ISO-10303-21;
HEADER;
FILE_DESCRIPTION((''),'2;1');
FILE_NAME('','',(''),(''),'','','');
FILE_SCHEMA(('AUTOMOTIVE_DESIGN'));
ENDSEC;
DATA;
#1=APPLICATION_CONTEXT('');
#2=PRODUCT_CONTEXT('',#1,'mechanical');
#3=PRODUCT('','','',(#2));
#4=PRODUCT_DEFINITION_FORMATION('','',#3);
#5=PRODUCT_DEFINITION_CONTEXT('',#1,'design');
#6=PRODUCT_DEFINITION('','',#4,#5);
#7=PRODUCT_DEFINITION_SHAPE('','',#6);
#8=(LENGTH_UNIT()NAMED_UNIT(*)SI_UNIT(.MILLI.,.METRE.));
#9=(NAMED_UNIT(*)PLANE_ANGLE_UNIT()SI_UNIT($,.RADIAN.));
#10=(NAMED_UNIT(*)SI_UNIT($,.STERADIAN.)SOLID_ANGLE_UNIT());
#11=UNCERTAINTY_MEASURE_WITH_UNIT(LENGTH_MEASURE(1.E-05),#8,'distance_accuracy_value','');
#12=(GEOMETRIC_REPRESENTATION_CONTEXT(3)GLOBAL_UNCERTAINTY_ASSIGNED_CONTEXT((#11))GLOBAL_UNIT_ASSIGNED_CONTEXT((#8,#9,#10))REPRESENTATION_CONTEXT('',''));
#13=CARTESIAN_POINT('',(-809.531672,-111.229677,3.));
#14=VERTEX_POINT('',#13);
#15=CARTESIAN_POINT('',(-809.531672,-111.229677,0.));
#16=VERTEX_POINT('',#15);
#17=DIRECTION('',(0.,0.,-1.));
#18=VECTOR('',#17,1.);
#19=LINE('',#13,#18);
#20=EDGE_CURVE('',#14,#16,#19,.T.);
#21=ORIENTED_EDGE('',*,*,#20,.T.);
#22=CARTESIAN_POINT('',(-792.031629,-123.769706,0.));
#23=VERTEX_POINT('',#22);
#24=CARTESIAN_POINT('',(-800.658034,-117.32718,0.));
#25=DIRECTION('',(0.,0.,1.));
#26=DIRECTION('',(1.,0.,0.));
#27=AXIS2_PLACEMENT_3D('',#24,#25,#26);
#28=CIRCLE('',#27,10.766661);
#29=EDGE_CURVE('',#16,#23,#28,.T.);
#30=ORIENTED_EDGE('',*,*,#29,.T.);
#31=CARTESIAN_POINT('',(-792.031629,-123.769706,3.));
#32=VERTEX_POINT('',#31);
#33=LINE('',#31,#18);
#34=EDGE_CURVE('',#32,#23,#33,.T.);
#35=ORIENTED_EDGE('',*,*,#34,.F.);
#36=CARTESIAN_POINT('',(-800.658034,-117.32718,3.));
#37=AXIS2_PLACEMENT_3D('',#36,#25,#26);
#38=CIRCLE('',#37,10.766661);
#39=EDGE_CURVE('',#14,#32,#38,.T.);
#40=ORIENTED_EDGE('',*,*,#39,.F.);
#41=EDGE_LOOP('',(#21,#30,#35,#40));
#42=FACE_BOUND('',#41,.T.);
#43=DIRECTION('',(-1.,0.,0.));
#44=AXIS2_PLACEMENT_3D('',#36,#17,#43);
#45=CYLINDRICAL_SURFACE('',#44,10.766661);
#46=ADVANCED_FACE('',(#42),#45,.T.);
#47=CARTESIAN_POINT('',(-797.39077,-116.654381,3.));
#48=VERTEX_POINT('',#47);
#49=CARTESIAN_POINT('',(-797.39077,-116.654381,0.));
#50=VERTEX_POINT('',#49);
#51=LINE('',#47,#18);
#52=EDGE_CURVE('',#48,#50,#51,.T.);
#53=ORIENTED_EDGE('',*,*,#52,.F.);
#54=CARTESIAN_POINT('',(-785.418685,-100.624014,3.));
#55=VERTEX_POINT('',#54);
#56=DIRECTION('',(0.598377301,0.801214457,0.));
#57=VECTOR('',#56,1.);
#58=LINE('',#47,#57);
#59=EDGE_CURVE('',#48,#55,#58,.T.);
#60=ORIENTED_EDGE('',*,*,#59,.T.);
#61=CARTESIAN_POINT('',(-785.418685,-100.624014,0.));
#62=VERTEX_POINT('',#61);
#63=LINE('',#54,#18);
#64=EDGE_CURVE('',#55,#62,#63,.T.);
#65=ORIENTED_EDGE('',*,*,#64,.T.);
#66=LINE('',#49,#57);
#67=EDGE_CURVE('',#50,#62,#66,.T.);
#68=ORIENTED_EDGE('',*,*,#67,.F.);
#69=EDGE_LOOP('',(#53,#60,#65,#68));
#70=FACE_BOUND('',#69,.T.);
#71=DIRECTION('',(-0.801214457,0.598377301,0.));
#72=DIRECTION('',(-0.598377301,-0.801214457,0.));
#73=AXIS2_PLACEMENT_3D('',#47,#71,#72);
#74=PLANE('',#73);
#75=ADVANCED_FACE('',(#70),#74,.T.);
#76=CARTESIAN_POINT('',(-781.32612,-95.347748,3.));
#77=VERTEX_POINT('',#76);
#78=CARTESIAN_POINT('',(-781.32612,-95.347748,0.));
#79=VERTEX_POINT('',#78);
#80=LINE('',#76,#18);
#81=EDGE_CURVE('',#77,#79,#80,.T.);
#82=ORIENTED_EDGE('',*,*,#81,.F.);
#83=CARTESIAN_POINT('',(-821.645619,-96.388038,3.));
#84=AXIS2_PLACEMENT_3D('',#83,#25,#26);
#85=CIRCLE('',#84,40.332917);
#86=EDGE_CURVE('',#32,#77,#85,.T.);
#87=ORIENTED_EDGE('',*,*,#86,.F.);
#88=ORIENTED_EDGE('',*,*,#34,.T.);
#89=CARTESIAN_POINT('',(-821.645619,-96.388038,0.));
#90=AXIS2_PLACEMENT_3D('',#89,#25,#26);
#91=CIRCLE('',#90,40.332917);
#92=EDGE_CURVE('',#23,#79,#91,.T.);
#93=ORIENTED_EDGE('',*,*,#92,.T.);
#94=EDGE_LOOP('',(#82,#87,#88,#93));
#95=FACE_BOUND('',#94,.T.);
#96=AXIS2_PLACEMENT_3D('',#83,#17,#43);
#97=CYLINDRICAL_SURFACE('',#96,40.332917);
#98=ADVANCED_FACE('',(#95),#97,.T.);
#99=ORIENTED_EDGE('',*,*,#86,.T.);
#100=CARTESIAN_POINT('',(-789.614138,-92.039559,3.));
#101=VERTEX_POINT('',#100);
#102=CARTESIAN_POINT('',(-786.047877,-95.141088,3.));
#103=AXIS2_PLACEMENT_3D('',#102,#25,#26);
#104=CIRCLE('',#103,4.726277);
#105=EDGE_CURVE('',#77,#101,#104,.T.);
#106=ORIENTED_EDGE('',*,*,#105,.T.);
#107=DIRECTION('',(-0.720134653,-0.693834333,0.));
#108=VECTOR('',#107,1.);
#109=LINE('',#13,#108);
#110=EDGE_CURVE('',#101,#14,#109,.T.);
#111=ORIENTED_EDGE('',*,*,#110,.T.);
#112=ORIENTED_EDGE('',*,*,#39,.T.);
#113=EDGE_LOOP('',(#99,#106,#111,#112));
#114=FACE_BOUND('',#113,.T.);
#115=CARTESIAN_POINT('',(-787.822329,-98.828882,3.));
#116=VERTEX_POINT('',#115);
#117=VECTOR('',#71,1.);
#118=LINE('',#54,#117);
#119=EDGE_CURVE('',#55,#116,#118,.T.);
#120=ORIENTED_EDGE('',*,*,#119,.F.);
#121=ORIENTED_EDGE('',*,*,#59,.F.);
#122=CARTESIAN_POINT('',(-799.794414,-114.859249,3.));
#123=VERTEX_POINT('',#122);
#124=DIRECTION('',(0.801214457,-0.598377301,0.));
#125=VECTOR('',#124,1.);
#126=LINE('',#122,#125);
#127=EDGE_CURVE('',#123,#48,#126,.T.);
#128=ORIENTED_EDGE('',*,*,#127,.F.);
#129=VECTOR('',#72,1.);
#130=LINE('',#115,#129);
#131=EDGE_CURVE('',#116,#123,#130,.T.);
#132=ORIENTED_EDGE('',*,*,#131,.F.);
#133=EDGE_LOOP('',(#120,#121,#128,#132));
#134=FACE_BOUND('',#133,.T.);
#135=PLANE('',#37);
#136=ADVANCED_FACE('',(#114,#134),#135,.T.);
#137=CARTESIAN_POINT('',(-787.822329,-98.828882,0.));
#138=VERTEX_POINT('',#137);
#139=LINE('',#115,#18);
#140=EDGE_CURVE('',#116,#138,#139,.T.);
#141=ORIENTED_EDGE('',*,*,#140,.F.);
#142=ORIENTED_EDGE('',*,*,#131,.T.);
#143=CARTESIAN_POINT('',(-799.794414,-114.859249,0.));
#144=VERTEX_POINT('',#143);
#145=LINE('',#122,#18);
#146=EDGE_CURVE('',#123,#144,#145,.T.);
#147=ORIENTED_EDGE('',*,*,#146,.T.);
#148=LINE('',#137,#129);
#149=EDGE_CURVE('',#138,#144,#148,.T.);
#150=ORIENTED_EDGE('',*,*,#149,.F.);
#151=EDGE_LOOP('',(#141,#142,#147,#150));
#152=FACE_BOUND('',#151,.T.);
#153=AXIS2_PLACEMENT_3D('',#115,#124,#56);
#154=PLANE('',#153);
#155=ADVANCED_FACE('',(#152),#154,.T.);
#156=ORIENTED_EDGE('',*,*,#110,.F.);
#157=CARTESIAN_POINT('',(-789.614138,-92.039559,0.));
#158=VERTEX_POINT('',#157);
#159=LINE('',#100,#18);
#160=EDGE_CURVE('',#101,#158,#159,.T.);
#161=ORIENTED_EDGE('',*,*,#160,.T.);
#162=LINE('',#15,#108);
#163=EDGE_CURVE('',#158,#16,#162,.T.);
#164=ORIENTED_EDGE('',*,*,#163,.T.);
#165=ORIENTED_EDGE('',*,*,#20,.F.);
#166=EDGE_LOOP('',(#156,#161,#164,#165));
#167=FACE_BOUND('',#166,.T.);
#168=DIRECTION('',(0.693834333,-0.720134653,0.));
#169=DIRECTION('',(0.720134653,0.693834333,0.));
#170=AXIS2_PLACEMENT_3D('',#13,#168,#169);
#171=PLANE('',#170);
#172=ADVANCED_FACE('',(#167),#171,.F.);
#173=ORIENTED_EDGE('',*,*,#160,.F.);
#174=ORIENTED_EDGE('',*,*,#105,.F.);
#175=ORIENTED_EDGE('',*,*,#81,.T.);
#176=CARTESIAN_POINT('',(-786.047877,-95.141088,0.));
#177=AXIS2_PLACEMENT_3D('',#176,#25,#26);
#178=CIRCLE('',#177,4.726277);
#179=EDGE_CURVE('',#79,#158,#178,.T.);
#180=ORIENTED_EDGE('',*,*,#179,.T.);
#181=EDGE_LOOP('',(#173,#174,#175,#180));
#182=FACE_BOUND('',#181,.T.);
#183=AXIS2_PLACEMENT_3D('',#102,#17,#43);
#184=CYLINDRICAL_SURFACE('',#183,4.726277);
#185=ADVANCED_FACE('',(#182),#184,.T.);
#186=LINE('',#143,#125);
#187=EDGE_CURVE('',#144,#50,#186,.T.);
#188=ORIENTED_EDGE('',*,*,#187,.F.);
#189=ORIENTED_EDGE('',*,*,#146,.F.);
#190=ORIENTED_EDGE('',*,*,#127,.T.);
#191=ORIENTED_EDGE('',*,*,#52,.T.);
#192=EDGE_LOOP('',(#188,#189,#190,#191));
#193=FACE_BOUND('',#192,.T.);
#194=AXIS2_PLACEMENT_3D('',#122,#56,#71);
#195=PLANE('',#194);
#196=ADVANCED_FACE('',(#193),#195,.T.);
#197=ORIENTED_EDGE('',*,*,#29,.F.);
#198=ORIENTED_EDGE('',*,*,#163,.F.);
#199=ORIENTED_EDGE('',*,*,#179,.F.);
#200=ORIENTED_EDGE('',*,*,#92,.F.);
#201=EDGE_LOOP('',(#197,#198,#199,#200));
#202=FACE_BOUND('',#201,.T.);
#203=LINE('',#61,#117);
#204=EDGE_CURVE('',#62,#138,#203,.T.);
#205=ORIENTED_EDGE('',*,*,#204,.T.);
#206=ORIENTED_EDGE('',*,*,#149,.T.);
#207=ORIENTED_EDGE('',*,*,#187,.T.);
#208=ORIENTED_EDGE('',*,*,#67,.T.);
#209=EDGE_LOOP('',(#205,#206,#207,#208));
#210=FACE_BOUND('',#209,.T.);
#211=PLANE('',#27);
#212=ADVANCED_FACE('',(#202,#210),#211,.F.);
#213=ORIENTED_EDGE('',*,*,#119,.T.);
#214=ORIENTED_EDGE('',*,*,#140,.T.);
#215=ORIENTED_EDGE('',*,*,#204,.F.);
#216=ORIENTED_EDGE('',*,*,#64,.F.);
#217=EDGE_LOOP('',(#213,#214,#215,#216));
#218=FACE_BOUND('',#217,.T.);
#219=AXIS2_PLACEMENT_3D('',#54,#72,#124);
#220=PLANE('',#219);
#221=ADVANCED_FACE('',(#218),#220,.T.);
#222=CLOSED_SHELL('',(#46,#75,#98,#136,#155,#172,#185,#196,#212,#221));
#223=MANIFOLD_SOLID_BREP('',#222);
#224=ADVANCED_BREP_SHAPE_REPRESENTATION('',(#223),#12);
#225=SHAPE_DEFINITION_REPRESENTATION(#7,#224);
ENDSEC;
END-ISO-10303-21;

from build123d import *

# Parameters (mm, degrees)
BASE_EXTRUDE_DEPTH = 3


with BuildPart() as part:
    # Sketch1 → Base-Extrude (new body)
    with BuildSketch(Plane.XY):
        with BuildLine():
            Line((-809.531671811, -111.229676779), (-789.61413801, -92.039559057))
            ThreePointArc((-789.61413801, -92.039559057), (-784.29578657, -90.751569276), (-781.326120484, -95.347748455))
            ThreePointArc((-781.326120484, -95.347748455), (-783.901412566, -110.604895358), (-792.031629072, -123.769706047))
            ThreePointArc((-792.031629072, -123.769706047), (-806.92926697, -126.078902011), (-809.531671811, -111.229676779))
        make_face()
        Polygon((-797.390770347, -116.654380858), (-785.418685199, -100.624013922), (-787.82232857, -98.82888202), (-799.794413717, -114.859248956), align=None, mode=Mode.SUBTRACT)
    extrude(amount=BASE_EXTRUDE_DEPTH)


solid = part.part
